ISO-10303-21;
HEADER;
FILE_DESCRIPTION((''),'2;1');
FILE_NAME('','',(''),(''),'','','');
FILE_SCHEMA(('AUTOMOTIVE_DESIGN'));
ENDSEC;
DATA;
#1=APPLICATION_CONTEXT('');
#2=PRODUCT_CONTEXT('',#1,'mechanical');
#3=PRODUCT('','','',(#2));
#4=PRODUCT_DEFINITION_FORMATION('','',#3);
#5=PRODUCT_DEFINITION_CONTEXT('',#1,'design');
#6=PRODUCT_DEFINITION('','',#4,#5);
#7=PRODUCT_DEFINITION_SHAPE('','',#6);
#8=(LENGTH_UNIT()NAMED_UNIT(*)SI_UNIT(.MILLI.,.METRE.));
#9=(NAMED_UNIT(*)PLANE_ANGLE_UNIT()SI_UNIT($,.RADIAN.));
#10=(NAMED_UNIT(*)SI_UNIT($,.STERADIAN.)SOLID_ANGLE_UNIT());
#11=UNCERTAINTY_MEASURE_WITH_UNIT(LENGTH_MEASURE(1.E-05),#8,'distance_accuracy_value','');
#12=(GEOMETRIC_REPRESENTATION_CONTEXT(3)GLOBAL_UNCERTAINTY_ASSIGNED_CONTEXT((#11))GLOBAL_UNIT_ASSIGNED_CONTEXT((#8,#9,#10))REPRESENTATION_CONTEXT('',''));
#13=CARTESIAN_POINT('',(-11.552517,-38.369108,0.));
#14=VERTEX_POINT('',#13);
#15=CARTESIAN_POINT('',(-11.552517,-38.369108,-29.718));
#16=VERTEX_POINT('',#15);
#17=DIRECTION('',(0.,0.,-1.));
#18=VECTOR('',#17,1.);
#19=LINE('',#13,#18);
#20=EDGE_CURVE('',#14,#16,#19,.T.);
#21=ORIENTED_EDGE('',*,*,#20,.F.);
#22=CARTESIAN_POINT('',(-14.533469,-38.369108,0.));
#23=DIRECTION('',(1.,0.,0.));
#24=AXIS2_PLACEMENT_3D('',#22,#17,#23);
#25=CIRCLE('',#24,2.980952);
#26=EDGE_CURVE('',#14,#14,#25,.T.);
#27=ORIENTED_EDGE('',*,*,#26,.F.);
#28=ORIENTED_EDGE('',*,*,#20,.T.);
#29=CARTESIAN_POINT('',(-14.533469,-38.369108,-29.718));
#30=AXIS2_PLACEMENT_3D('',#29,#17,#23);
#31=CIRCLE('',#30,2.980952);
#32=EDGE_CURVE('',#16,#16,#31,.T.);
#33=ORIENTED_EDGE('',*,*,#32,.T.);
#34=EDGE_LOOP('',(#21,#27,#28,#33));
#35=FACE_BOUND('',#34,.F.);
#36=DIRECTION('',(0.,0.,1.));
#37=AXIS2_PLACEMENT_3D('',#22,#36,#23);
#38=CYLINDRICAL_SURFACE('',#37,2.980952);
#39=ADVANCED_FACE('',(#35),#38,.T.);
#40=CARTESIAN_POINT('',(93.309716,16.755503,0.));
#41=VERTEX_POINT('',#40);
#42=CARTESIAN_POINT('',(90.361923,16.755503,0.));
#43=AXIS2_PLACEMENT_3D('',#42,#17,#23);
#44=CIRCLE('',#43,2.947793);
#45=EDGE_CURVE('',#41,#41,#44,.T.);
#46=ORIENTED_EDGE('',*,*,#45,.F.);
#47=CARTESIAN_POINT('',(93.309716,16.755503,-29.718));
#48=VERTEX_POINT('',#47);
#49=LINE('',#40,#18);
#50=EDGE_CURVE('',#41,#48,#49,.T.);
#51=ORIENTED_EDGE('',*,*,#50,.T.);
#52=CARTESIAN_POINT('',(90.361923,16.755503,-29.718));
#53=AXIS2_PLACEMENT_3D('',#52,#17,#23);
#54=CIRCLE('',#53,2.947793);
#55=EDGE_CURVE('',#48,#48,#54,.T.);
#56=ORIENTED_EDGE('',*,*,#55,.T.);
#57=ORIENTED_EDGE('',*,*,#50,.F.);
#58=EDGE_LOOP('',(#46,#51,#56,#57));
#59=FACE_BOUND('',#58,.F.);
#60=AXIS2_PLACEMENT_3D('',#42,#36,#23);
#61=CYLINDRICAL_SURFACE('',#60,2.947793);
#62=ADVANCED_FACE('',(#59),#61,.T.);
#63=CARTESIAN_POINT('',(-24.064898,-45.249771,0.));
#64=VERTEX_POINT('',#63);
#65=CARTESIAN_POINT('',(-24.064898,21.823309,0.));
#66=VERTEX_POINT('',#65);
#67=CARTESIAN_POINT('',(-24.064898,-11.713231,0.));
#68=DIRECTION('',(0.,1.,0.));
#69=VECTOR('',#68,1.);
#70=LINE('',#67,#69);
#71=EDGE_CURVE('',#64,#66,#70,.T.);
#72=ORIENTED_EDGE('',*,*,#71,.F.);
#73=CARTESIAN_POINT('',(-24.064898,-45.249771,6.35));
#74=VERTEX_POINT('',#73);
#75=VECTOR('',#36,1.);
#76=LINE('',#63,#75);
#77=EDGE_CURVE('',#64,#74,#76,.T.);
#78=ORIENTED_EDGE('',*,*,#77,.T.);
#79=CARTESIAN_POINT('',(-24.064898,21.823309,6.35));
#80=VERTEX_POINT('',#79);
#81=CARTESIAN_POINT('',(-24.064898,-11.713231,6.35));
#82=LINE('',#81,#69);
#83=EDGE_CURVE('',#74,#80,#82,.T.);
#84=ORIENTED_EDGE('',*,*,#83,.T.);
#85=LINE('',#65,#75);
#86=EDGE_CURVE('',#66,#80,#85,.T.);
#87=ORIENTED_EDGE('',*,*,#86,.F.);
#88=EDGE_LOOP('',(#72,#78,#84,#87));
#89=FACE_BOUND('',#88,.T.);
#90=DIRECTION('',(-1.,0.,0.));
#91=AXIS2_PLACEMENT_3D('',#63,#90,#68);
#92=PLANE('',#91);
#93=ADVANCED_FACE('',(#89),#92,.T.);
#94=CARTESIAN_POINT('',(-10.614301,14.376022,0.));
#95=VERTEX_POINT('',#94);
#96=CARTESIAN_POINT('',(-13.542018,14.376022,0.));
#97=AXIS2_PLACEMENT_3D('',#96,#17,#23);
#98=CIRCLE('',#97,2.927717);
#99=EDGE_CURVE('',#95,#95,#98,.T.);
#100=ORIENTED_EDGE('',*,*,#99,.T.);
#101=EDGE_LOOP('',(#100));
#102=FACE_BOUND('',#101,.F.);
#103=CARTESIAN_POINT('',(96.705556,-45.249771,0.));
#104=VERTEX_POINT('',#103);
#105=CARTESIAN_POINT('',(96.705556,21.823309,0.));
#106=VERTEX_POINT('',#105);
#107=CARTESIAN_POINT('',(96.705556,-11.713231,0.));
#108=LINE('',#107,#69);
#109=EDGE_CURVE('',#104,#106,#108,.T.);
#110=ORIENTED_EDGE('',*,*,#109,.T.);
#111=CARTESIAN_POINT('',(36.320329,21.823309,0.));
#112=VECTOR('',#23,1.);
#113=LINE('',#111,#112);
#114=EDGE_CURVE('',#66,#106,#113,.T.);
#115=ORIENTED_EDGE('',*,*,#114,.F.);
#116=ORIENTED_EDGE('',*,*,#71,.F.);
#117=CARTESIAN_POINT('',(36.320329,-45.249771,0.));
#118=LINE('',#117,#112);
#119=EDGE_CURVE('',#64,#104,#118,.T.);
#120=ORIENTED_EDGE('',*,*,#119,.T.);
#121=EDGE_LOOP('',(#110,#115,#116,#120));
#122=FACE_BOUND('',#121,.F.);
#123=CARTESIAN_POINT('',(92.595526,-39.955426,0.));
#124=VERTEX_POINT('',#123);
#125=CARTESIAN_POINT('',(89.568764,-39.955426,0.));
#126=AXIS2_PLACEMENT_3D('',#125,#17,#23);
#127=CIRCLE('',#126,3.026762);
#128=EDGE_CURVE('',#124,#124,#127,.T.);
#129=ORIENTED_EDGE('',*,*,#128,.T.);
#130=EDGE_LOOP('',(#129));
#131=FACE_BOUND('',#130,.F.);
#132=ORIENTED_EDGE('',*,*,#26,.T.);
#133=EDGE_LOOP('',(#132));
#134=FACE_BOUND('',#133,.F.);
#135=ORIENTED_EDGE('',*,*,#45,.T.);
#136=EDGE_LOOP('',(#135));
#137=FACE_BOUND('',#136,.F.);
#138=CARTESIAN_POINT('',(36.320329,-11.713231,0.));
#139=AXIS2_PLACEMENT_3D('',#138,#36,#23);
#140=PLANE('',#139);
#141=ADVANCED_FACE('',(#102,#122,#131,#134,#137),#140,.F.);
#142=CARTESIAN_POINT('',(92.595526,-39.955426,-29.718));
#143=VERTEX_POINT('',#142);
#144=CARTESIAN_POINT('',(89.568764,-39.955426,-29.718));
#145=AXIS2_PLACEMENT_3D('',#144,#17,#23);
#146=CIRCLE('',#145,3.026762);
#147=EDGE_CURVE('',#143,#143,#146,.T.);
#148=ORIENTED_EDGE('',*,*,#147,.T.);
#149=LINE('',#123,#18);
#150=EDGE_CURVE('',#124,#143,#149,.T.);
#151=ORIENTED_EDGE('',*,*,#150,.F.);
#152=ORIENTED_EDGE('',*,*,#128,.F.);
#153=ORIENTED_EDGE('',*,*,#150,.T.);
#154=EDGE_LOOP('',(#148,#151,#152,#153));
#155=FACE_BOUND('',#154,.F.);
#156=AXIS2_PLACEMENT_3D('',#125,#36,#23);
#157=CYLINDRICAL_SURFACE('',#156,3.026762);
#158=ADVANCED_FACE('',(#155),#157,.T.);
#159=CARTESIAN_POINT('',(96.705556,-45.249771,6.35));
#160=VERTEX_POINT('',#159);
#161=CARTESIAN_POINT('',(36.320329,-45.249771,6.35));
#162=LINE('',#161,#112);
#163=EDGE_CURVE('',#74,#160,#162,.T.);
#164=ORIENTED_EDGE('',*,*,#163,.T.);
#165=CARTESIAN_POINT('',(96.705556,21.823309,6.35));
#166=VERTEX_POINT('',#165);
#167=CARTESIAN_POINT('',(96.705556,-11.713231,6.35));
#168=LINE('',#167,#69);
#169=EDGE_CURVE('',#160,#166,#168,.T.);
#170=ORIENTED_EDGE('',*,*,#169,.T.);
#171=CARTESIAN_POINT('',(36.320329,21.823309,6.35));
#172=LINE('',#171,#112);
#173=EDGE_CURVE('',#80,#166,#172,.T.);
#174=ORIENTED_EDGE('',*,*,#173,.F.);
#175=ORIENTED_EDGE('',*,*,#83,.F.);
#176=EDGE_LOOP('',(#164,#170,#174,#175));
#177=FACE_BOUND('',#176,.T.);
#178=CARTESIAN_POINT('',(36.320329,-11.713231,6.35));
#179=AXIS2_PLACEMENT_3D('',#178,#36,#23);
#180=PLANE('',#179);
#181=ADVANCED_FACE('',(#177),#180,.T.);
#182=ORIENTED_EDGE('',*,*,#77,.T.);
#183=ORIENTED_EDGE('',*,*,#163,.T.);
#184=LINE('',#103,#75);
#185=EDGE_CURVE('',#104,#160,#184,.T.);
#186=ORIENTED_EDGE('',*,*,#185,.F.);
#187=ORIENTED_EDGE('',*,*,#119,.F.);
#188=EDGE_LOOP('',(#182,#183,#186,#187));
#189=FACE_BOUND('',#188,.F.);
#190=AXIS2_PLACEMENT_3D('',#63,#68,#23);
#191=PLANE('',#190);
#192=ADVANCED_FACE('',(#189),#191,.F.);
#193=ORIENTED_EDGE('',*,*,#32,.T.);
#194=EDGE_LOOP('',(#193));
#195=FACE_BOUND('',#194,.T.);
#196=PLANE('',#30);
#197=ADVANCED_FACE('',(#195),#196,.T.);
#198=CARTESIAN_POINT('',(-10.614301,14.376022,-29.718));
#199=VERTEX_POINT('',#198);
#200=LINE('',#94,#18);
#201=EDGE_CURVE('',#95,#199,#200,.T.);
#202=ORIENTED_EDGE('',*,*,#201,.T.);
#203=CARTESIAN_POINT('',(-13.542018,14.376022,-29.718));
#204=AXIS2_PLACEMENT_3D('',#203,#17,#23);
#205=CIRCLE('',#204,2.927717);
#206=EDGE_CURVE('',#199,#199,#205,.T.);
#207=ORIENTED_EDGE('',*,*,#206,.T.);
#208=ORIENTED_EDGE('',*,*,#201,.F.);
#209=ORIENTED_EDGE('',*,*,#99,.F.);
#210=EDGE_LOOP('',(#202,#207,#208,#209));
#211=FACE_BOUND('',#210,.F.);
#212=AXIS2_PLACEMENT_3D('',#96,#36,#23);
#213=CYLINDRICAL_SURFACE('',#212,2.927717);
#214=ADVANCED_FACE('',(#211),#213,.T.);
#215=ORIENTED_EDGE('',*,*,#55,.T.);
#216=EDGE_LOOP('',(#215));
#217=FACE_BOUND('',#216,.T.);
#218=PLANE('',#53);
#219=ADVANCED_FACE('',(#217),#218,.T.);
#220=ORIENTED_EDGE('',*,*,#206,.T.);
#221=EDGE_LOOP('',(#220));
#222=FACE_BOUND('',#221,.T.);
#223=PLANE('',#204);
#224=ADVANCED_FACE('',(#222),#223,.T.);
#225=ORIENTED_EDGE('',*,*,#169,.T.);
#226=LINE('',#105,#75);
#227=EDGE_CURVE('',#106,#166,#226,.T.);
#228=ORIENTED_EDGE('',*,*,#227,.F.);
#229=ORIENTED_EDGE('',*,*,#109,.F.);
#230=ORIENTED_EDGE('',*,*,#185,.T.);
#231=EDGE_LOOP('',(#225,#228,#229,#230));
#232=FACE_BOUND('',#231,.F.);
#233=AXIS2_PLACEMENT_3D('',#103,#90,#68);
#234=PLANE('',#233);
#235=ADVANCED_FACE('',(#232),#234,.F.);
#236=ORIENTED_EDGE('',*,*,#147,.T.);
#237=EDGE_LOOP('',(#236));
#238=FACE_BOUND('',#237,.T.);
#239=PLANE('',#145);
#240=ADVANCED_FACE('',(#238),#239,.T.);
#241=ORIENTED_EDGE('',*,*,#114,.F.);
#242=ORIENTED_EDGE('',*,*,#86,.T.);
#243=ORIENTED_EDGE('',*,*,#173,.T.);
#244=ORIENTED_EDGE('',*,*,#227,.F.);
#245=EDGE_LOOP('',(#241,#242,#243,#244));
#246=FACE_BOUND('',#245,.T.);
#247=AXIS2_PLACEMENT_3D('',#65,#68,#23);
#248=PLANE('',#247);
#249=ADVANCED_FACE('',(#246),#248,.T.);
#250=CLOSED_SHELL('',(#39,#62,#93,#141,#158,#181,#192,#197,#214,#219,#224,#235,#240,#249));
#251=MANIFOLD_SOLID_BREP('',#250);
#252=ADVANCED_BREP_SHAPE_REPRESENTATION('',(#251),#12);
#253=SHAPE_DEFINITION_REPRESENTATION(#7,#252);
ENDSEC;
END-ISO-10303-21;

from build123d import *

# Parameters (mm, degrees)
F0_W     = 120.770454
F0_H     = 67.07308
F1_DEPTH = 6.35
F2_R     = 2.980952
F2_R_2   = 2.927717
F2_R_3   = 3.026762
F2_R_4   = 2.947793
F3_DEPTH = 29.718


with BuildPart() as f1:
    # F0 (on Top) → F1 (new body)
    with BuildSketch(Plane.XY):
        with Locations((36.320329, -11.713231)):
            Rectangle(F0_W, F0_H)
    extrude(amount=F1_DEPTH)

    # F2 (on face) → F3 (join)
    with BuildSketch(Plane(origin=(0, 0, 0), x_dir=(1, 0, 0), z_dir=(0, 0, -1))):
        with Locations((-14.533469, 38.369108)):
            Circle(F2_R)
        with Locations((-13.542018, -14.376022)):
            Circle(F2_R_2)
        with Locations((89.568764, 39.955426)):
            Circle(F2_R_3)
        with Locations((90.361923, -16.755503)):
            Circle(F2_R_4)
    extrude(amount=F3_DEPTH)


solid = f1.part
